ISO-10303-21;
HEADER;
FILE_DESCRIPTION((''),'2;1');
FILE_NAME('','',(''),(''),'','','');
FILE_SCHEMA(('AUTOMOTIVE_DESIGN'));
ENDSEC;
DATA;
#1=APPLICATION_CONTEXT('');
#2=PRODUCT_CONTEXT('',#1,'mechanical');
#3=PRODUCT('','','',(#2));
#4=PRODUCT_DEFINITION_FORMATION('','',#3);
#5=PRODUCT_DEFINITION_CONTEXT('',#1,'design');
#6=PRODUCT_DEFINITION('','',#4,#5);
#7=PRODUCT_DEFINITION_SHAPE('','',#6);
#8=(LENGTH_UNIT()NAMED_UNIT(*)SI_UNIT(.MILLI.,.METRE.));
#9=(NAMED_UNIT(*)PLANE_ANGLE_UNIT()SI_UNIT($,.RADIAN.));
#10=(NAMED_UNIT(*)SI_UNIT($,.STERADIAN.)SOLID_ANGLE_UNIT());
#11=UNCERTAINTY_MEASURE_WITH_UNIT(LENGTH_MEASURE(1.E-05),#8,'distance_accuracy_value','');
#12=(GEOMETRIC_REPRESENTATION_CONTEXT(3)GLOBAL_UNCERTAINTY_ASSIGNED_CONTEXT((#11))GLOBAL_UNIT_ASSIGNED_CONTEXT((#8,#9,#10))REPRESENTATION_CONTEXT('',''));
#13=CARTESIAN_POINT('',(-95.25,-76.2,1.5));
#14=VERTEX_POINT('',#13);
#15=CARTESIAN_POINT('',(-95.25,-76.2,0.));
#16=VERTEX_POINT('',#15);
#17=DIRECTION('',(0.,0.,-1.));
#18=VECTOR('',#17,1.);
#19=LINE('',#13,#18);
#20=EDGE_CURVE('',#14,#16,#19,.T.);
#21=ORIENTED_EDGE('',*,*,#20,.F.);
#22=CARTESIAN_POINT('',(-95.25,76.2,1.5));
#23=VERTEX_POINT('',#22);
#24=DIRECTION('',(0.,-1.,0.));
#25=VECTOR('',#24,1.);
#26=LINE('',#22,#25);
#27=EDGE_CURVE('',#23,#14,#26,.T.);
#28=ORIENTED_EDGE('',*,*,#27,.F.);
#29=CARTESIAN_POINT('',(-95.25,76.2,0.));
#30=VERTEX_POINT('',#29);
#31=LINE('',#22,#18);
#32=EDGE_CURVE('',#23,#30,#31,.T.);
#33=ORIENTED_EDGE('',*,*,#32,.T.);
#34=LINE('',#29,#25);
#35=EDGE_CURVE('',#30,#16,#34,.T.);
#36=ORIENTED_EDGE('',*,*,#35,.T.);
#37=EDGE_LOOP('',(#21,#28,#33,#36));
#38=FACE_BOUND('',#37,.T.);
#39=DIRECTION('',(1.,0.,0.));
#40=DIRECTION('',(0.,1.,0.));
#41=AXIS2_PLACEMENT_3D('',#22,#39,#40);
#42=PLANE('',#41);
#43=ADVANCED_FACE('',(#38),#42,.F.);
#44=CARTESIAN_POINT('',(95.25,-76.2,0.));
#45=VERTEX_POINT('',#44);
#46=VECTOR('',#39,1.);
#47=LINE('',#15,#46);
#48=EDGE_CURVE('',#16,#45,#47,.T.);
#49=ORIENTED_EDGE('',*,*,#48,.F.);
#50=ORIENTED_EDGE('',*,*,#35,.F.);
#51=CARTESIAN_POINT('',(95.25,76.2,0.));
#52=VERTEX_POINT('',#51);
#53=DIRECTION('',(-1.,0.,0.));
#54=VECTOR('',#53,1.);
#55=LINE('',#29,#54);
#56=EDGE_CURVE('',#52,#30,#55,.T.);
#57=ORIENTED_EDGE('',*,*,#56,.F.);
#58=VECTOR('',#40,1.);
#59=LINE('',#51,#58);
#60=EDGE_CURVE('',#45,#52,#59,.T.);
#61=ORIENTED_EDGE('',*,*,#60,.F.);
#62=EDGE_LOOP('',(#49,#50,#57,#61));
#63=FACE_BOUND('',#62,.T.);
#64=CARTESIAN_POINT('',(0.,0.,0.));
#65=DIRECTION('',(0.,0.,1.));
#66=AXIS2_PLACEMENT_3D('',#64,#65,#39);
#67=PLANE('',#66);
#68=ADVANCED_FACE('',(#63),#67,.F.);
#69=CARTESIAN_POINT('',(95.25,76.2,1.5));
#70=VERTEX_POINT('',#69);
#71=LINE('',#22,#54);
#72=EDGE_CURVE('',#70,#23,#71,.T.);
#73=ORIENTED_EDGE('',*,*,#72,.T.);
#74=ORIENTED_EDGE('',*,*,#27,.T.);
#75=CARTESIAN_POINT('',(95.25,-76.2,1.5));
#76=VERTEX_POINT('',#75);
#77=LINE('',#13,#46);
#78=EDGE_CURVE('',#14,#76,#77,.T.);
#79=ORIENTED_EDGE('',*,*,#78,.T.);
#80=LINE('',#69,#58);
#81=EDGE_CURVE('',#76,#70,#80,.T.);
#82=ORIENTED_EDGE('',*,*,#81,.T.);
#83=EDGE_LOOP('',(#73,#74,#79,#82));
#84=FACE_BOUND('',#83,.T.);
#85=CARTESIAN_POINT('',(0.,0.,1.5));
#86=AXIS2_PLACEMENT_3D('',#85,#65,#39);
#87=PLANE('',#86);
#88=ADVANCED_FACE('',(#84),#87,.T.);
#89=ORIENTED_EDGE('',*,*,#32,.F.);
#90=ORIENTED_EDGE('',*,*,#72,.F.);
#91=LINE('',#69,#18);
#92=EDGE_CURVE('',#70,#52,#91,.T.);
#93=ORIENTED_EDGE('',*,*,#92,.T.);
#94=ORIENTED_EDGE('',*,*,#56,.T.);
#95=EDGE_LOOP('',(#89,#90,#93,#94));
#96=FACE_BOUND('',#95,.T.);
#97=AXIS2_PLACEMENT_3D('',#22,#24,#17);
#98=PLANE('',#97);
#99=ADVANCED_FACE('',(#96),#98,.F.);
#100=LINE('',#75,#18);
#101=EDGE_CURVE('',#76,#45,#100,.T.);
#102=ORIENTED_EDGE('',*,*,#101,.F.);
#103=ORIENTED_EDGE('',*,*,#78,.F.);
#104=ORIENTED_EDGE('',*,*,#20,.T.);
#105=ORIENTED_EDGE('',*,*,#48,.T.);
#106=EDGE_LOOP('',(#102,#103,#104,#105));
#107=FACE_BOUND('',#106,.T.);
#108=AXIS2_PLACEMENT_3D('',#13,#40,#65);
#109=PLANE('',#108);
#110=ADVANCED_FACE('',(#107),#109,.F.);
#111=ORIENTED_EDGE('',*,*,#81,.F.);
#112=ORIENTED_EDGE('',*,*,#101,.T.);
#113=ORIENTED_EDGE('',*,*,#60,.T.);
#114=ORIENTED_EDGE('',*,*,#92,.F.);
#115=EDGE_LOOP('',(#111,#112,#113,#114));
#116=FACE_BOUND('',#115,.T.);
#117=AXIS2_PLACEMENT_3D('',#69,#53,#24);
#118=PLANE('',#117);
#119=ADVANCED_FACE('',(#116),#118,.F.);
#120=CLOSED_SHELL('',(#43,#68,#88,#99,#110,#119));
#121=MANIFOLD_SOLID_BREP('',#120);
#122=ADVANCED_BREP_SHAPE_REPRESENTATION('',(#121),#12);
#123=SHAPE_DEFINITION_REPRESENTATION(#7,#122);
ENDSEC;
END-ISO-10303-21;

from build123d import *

# Parameters (mm, degrees)
SKETCH1_W           = 190.5
SKETCH1_H           = 152.4
BOSS_EXTRUDE1_DEPTH = 1.5


with BuildPart() as part:
    # Sketch1 → Boss-Extrude1 (new body)
    with BuildSketch(Plane.XY):
        Rectangle(SKETCH1_W, SKETCH1_H)
    extrude(amount=BOSS_EXTRUDE1_DEPTH)


solid = part.part
